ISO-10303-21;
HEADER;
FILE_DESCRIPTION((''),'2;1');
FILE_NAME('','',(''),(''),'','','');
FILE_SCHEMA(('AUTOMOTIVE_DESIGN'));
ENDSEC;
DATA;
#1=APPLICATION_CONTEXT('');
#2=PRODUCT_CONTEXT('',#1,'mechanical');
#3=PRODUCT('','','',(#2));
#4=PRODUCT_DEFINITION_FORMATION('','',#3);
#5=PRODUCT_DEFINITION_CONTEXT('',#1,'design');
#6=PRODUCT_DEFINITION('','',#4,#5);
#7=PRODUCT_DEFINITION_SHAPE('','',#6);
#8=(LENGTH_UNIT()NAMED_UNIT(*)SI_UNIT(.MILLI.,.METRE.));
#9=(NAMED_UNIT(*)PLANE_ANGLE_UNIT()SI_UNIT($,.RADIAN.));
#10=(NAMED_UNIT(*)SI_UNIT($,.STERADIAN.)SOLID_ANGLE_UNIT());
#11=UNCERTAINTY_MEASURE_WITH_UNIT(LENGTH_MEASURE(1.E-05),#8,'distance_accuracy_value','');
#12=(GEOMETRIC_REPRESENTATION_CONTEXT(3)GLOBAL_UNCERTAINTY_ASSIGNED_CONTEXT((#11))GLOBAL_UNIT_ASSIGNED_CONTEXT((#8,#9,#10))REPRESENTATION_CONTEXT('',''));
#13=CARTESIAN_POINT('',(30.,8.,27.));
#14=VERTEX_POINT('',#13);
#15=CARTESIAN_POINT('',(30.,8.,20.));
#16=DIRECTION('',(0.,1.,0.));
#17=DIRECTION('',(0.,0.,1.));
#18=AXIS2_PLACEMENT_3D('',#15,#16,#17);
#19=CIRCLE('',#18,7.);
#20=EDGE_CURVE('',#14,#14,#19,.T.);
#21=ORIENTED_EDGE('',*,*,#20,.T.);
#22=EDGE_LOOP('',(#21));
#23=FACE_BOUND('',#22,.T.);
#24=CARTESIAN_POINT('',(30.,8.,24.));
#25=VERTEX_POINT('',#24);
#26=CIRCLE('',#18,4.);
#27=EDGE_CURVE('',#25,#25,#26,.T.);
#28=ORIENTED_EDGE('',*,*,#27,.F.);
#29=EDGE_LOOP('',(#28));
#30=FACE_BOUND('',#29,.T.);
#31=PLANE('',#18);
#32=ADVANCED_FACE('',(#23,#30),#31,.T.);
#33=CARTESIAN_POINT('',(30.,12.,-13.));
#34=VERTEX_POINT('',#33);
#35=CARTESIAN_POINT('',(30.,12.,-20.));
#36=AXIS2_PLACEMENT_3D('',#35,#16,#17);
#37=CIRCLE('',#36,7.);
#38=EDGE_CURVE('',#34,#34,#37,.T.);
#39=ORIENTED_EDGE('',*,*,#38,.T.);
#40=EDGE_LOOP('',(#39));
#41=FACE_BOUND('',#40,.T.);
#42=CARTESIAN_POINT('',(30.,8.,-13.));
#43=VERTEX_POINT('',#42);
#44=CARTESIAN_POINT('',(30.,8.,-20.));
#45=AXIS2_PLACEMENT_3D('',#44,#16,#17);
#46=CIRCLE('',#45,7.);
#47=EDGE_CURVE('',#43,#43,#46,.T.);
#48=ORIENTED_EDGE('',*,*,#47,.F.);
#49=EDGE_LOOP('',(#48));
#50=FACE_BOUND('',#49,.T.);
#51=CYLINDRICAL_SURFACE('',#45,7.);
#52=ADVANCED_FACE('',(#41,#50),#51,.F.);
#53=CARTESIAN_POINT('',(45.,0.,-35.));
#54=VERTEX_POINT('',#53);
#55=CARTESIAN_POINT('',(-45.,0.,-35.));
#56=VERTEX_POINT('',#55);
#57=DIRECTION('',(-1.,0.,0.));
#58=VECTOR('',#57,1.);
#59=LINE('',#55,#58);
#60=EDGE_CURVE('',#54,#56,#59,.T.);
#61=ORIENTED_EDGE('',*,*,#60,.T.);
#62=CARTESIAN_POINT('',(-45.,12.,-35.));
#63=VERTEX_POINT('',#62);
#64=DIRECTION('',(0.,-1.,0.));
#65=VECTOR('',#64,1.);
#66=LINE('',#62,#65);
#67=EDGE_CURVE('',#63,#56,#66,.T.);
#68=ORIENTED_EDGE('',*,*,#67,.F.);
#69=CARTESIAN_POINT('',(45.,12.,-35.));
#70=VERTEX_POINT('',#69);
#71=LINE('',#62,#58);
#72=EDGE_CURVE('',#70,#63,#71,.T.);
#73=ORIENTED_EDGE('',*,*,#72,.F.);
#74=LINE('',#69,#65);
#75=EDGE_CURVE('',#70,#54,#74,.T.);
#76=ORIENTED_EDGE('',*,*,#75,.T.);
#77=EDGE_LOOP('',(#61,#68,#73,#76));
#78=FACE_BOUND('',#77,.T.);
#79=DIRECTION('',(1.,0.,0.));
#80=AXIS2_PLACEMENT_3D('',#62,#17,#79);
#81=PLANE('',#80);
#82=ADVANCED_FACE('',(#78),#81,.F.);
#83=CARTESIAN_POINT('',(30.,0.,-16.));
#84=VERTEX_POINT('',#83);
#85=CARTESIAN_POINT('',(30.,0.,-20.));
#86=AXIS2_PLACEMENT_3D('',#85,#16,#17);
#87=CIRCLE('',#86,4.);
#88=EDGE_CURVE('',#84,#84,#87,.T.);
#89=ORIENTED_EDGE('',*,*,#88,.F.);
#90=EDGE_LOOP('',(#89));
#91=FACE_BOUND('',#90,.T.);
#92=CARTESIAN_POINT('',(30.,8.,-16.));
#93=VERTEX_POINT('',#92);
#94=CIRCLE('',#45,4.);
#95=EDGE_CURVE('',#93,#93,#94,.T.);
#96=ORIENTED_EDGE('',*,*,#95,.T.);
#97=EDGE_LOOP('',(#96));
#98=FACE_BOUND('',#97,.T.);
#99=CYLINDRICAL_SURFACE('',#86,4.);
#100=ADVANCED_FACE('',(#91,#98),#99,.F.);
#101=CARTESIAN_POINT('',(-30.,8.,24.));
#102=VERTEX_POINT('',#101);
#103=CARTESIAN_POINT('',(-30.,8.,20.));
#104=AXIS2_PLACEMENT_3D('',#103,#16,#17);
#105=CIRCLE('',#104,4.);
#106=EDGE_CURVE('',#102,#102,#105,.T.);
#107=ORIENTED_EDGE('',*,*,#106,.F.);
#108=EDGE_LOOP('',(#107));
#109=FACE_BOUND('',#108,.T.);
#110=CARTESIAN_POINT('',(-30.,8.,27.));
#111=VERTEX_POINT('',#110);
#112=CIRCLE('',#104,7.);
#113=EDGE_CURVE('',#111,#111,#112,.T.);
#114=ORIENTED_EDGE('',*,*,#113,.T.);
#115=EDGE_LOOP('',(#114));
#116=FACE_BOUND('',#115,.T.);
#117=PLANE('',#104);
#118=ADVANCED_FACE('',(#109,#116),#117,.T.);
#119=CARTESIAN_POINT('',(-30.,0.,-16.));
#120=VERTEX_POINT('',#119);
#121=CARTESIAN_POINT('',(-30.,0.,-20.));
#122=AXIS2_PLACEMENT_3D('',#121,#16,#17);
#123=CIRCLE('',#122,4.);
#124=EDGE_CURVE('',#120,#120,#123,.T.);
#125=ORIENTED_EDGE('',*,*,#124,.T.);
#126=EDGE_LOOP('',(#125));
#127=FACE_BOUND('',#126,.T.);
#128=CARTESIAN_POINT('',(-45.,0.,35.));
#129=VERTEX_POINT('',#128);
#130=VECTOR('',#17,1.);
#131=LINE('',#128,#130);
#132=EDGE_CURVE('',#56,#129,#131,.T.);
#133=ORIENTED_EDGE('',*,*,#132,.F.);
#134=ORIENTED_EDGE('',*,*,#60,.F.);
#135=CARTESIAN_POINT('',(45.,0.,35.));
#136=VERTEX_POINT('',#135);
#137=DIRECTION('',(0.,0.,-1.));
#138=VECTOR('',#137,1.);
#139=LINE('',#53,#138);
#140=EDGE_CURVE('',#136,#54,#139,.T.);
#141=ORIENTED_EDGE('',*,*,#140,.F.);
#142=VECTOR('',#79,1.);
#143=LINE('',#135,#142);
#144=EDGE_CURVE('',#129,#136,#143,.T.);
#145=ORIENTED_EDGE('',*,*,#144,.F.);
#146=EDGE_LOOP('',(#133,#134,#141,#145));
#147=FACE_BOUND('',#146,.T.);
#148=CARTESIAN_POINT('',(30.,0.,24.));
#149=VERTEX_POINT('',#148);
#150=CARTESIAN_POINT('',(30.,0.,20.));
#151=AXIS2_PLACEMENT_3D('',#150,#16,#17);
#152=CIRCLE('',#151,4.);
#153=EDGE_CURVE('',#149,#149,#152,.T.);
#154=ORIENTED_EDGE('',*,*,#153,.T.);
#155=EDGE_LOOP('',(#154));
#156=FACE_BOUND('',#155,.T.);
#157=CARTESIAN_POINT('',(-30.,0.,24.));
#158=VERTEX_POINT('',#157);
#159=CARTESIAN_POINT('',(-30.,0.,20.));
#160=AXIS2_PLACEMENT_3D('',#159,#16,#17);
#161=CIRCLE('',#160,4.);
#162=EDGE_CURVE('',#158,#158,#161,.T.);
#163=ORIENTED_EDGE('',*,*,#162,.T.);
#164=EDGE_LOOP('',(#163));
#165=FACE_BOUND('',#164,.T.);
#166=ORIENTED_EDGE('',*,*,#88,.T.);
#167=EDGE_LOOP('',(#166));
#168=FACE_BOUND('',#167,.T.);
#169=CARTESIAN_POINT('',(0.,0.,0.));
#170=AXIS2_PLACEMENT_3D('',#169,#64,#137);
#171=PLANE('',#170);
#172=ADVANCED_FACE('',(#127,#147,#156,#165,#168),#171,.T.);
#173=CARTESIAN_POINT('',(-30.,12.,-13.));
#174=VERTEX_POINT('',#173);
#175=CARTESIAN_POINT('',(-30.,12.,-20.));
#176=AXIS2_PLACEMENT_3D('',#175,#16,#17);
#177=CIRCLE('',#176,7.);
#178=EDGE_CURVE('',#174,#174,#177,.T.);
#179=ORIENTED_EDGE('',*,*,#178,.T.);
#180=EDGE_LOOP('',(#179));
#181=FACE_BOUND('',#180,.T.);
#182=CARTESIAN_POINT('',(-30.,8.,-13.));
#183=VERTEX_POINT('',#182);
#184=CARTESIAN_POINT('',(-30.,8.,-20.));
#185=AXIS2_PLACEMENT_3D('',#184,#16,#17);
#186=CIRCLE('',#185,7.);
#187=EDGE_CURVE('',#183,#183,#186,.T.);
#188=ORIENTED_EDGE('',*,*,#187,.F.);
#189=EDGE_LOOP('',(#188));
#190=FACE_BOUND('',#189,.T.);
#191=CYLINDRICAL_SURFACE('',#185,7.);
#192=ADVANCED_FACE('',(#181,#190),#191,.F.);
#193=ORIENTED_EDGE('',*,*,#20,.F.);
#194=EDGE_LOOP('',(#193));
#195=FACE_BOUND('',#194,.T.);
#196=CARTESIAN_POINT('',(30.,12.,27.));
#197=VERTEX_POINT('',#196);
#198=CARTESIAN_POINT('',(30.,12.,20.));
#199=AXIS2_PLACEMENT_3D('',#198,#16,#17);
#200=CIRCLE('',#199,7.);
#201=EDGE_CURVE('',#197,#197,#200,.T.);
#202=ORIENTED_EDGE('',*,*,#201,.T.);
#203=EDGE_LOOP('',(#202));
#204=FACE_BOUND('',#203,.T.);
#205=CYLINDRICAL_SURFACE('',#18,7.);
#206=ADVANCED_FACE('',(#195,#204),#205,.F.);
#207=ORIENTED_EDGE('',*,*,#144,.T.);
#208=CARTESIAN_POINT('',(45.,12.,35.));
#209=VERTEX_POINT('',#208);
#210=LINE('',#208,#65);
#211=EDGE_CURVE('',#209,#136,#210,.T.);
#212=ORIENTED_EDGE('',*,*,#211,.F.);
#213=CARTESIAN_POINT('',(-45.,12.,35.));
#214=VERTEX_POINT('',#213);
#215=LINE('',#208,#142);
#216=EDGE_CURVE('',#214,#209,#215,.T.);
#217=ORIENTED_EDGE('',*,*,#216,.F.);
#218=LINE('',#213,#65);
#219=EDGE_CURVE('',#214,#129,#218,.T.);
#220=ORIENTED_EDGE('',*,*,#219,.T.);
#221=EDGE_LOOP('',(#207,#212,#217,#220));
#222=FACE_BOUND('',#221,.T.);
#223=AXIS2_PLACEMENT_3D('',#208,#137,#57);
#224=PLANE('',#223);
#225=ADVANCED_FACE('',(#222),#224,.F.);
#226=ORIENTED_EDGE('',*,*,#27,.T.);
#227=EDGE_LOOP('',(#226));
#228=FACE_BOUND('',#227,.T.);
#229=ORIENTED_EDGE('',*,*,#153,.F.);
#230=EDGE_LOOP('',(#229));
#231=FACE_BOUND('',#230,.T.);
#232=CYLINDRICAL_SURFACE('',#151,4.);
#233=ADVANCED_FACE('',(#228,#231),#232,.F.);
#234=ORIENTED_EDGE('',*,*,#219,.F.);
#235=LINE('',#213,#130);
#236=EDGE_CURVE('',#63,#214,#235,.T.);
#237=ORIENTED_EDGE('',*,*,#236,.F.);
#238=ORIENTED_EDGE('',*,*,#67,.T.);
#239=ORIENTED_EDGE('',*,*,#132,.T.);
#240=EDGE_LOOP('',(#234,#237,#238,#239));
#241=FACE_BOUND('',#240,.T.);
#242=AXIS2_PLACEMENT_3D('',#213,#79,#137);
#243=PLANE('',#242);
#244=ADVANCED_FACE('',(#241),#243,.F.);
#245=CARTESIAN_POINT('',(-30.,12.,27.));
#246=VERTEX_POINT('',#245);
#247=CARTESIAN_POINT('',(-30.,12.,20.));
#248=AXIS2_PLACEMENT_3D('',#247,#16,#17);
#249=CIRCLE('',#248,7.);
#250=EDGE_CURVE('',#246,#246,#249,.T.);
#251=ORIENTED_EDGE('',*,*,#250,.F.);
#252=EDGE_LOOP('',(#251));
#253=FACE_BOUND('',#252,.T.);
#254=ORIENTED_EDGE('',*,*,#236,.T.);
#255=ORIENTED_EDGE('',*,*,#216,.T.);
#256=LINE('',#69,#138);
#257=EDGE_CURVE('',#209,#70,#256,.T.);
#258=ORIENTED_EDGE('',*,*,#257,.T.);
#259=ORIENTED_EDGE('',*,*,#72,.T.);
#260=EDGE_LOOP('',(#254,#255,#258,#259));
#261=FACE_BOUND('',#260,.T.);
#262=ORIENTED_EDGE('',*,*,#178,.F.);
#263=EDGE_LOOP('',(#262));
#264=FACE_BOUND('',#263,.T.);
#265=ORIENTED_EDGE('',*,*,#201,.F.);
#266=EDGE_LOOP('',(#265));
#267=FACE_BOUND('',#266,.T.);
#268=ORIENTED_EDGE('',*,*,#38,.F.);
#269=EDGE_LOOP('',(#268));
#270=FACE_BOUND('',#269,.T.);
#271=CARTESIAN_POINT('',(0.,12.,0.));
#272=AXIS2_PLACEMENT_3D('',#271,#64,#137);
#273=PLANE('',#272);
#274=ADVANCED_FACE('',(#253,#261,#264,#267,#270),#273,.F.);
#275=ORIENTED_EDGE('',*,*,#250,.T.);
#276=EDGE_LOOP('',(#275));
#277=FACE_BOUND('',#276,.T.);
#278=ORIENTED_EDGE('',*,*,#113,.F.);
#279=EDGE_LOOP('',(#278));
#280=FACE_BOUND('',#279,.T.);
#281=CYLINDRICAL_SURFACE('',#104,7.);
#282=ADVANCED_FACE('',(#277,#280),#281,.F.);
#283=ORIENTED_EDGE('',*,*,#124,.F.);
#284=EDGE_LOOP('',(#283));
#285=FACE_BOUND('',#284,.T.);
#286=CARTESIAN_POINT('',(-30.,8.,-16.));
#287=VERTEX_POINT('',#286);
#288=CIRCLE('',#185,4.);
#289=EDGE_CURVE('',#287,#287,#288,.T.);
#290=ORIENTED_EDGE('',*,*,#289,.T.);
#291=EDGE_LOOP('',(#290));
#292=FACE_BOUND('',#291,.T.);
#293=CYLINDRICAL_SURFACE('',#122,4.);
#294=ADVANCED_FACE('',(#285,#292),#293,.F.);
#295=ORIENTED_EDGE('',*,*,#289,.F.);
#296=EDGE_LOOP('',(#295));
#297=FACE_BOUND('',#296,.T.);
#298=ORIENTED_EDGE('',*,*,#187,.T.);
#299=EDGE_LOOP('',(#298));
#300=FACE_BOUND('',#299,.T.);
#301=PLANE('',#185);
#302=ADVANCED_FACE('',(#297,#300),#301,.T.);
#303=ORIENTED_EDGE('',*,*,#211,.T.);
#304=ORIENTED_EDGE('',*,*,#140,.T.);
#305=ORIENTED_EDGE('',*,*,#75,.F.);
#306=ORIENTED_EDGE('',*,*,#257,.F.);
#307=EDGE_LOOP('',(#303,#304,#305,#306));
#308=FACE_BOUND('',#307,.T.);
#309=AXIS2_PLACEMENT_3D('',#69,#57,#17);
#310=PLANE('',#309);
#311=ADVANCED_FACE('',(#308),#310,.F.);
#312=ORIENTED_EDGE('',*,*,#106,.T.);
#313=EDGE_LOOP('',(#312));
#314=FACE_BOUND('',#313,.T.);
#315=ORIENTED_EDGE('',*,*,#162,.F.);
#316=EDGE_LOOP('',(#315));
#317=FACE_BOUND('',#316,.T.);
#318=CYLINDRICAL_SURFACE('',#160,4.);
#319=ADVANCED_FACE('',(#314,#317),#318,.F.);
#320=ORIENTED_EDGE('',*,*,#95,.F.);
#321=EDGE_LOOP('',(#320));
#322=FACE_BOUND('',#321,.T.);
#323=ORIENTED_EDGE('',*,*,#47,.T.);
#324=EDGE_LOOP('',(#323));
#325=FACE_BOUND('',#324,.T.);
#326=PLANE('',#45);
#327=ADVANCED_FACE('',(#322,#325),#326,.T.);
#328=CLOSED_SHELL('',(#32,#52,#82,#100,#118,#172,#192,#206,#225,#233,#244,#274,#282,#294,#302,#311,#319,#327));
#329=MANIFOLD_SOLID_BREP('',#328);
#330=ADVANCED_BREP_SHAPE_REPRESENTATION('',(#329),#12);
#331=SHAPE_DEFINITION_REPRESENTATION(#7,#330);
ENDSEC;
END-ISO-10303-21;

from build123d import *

# Parameters (mm, degrees)
SKETCH_1_W          = 90
SKETCH_1_H          = 70
EXTRUDE_1_DEPTH     = 12
SKETCH_2_R          = 7
CUT_EXTRUDE_1_DEPTH = 4
SKETCH_3_R          = 4
CUT_EXTRUDE_2_DEPTH = 59.258046655


with BuildPart() as part:
    # 草图1 → 凸台-拉伸1 (new body)
    with BuildSketch(Plane(origin=(0, 0, 0), x_dir=(1, 0, 0), z_dir=(0, 1, 0))):
        Rectangle(SKETCH_1_W, SKETCH_1_H)
    extrude(amount=EXTRUDE_1_DEPTH)

    # 草图2 → 切除-拉伸1 (cut)
    with BuildSketch(Plane(origin=(0, 12, 0), x_dir=(1, 0, 0), z_dir=(0, 1, 0))):
        with Locations(Location((-30, 20, 0), (0, 0, 270))):
            Circle(SKETCH_2_R)
        with Locations(Location((30, 20, 0), (0, 0, 270))):
            Circle(SKETCH_2_R)
        with Locations(Location((-30, -20, 0), (0, 0, 270))):
            Circle(SKETCH_2_R)
        with Locations(Location((30, -20, 0), (0, 0, 270))):
            Circle(SKETCH_2_R)
    extrude(amount=-CUT_EXTRUDE_1_DEPTH, mode=Mode.SUBTRACT)

    # 草图3 → 切除-拉伸2 (cut, through all)
    with BuildSketch(Plane(origin=(0, 12, 0), x_dir=(1, 0, 0), z_dir=(0, 1, 0))):
        with Locations(Location((-30, 20, 0), (0, 0, 270))):
            Circle(SKETCH_3_R)
        with Locations(Location((30, 20, 0), (0, 0, 270))):
            Circle(SKETCH_3_R)
        with Locations(Location((-30, -20, 0), (0, 0, 270))):
            Circle(SKETCH_3_R)
        with Locations(Location((30, -20, 0), (0, 0, 270))):
            Circle(SKETCH_3_R)
    extrude(amount=-CUT_EXTRUDE_2_DEPTH, mode=Mode.SUBTRACT)


solid = part.part
